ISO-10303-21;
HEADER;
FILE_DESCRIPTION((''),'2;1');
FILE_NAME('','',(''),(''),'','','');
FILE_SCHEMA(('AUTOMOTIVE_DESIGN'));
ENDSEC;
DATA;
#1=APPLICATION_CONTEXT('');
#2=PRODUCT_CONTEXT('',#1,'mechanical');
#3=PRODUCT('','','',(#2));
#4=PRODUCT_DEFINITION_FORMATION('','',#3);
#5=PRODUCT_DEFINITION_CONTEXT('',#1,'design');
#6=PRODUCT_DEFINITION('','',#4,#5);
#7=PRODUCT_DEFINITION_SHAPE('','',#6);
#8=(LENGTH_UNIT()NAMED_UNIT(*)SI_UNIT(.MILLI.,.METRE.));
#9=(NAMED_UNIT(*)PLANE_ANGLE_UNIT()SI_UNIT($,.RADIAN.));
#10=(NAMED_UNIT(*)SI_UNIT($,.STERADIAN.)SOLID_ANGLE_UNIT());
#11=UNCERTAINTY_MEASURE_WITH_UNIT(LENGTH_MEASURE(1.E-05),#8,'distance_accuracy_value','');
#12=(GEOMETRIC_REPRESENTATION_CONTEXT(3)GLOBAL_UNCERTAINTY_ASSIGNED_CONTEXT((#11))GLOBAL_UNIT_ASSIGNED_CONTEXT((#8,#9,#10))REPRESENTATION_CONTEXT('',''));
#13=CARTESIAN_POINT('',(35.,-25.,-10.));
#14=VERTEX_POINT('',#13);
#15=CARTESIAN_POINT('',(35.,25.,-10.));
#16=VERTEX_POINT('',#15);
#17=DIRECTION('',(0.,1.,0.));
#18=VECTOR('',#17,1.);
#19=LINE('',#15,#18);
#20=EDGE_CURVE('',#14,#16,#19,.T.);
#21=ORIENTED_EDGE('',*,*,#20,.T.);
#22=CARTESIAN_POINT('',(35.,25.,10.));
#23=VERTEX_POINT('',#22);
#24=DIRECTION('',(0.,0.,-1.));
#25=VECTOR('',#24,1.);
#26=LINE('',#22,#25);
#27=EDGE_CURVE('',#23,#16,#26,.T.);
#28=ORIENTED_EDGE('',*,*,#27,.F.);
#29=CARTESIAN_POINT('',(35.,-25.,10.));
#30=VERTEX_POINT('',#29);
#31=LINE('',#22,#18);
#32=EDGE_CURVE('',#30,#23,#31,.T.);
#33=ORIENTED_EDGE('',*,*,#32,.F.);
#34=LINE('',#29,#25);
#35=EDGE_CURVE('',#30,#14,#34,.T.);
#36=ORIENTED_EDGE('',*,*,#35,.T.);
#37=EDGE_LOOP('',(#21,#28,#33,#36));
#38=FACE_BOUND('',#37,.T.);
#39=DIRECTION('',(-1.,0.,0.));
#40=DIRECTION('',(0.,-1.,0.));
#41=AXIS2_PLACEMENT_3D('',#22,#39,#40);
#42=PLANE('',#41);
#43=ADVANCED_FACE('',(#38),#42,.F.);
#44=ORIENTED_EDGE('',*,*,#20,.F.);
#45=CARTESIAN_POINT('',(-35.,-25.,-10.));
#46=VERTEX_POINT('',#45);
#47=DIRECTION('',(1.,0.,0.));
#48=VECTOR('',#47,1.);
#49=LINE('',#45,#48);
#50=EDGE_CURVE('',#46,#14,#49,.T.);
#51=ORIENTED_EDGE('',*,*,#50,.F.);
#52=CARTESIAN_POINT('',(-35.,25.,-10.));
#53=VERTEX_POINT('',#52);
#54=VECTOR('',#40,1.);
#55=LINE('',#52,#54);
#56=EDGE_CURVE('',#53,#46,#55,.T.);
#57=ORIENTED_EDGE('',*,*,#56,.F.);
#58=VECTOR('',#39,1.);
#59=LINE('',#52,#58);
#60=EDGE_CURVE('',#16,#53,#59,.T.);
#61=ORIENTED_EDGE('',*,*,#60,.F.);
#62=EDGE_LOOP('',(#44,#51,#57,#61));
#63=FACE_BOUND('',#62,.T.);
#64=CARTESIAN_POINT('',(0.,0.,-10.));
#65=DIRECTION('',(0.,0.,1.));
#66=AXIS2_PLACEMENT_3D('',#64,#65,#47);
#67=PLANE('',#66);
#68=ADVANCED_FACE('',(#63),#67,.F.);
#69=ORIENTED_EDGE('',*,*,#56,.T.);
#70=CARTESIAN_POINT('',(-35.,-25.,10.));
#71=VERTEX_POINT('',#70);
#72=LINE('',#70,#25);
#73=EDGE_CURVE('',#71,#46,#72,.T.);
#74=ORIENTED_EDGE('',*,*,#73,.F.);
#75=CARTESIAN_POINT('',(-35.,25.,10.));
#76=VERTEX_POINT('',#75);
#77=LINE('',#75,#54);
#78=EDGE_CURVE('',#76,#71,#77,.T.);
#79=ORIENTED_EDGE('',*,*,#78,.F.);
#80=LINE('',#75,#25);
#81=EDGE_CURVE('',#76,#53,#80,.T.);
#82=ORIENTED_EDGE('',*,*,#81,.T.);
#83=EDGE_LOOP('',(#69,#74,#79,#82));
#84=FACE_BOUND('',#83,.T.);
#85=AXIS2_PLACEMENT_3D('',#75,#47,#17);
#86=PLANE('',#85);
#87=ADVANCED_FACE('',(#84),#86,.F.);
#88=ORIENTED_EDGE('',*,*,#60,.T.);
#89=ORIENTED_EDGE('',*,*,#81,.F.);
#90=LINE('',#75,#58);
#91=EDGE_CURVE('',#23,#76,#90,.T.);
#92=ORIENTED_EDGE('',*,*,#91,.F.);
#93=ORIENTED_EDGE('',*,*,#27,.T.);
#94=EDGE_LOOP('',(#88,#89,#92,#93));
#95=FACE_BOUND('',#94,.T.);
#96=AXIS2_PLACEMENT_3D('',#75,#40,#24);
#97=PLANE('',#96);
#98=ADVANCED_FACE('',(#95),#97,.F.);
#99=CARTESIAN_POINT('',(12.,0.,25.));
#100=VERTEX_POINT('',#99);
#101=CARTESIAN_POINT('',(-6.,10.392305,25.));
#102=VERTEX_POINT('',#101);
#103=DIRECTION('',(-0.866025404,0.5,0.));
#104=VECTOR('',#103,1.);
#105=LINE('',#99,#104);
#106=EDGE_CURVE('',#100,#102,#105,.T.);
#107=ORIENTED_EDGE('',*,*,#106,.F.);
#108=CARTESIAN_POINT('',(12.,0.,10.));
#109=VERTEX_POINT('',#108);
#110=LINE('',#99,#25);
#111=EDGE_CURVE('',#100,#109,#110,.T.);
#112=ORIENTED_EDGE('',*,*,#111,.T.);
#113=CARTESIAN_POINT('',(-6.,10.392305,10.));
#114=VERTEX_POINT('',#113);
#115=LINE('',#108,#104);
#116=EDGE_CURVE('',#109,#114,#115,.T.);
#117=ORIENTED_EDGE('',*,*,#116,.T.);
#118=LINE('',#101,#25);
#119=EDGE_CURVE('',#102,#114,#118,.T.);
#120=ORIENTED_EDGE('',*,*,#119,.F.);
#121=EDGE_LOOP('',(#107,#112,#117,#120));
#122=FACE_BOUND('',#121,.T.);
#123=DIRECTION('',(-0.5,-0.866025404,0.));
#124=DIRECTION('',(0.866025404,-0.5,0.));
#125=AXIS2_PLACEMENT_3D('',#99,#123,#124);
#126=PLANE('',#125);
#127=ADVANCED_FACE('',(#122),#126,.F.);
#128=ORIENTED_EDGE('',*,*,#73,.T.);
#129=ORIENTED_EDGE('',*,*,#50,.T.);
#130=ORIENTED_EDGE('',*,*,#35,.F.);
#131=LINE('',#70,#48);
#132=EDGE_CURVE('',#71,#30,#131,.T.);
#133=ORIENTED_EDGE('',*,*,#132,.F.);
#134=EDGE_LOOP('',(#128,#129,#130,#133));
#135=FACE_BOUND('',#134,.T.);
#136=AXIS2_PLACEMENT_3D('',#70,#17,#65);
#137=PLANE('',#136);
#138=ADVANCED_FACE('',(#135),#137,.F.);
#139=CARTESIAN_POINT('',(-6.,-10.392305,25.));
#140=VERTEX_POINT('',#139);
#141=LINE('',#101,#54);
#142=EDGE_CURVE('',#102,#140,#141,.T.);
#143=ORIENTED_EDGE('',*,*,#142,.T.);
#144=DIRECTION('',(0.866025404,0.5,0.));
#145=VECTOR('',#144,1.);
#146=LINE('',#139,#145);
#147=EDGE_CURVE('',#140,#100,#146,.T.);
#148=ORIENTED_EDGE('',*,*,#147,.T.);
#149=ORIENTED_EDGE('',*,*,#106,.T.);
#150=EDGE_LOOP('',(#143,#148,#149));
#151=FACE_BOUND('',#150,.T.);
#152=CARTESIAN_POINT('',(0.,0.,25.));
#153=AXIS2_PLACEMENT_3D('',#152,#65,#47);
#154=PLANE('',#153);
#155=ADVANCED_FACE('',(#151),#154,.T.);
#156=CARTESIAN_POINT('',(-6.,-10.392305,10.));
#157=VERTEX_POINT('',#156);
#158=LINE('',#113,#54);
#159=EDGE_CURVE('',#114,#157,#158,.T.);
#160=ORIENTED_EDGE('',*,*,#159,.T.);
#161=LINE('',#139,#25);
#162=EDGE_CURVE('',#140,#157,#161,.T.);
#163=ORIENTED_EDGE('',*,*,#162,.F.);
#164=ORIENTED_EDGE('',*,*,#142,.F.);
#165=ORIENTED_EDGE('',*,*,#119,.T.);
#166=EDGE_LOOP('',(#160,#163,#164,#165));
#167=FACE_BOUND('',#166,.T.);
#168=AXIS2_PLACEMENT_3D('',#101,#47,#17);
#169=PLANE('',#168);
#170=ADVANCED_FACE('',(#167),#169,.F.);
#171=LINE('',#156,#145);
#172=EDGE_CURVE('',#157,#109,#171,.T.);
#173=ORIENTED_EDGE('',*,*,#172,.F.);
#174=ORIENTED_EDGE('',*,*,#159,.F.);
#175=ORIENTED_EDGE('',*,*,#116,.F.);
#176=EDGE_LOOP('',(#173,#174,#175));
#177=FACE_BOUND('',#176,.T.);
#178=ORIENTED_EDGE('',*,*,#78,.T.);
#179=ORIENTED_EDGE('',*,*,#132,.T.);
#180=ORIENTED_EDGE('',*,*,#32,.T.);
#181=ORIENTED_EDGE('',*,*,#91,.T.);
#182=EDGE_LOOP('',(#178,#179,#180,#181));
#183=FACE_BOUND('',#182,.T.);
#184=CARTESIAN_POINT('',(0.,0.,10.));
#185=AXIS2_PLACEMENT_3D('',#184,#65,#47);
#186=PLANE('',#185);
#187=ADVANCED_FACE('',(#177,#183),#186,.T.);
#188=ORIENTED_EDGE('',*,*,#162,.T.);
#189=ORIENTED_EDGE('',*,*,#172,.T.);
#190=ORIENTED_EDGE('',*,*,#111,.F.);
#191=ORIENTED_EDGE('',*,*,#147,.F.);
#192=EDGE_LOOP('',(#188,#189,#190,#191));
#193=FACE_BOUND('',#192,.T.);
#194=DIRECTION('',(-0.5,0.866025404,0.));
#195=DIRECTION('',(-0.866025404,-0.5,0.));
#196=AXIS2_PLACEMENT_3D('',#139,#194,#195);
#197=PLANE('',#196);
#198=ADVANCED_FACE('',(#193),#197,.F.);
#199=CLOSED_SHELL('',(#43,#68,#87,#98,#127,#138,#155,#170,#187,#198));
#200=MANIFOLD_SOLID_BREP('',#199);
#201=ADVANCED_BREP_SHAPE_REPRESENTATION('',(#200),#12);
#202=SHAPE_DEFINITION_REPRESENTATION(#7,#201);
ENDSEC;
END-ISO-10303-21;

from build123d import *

# Parameters (mm, degrees)
SKETCH_1_W      = 70
SKETCH_1_H      = 50
EXTRUDE_1_DEPTH = 10
EXTRUDE_2_DEPTH = 15


with BuildPart() as part:
    # 草图1 → 凸台-拉伸1 (new, symmetric)
    with BuildSketch(Plane.XY):
        Rectangle(SKETCH_1_W, SKETCH_1_H)
    extrude(amount=EXTRUDE_1_DEPTH, both=True)

    # 草图2 → 凸台-拉伸2 (add)
    with BuildSketch(Plane.XY.offset(10)):
        Polygon((12, 0), (-6, 10.392304845), (-6, -10.392304845), align=None)
    extrude(amount=EXTRUDE_2_DEPTH)


solid = part.part
